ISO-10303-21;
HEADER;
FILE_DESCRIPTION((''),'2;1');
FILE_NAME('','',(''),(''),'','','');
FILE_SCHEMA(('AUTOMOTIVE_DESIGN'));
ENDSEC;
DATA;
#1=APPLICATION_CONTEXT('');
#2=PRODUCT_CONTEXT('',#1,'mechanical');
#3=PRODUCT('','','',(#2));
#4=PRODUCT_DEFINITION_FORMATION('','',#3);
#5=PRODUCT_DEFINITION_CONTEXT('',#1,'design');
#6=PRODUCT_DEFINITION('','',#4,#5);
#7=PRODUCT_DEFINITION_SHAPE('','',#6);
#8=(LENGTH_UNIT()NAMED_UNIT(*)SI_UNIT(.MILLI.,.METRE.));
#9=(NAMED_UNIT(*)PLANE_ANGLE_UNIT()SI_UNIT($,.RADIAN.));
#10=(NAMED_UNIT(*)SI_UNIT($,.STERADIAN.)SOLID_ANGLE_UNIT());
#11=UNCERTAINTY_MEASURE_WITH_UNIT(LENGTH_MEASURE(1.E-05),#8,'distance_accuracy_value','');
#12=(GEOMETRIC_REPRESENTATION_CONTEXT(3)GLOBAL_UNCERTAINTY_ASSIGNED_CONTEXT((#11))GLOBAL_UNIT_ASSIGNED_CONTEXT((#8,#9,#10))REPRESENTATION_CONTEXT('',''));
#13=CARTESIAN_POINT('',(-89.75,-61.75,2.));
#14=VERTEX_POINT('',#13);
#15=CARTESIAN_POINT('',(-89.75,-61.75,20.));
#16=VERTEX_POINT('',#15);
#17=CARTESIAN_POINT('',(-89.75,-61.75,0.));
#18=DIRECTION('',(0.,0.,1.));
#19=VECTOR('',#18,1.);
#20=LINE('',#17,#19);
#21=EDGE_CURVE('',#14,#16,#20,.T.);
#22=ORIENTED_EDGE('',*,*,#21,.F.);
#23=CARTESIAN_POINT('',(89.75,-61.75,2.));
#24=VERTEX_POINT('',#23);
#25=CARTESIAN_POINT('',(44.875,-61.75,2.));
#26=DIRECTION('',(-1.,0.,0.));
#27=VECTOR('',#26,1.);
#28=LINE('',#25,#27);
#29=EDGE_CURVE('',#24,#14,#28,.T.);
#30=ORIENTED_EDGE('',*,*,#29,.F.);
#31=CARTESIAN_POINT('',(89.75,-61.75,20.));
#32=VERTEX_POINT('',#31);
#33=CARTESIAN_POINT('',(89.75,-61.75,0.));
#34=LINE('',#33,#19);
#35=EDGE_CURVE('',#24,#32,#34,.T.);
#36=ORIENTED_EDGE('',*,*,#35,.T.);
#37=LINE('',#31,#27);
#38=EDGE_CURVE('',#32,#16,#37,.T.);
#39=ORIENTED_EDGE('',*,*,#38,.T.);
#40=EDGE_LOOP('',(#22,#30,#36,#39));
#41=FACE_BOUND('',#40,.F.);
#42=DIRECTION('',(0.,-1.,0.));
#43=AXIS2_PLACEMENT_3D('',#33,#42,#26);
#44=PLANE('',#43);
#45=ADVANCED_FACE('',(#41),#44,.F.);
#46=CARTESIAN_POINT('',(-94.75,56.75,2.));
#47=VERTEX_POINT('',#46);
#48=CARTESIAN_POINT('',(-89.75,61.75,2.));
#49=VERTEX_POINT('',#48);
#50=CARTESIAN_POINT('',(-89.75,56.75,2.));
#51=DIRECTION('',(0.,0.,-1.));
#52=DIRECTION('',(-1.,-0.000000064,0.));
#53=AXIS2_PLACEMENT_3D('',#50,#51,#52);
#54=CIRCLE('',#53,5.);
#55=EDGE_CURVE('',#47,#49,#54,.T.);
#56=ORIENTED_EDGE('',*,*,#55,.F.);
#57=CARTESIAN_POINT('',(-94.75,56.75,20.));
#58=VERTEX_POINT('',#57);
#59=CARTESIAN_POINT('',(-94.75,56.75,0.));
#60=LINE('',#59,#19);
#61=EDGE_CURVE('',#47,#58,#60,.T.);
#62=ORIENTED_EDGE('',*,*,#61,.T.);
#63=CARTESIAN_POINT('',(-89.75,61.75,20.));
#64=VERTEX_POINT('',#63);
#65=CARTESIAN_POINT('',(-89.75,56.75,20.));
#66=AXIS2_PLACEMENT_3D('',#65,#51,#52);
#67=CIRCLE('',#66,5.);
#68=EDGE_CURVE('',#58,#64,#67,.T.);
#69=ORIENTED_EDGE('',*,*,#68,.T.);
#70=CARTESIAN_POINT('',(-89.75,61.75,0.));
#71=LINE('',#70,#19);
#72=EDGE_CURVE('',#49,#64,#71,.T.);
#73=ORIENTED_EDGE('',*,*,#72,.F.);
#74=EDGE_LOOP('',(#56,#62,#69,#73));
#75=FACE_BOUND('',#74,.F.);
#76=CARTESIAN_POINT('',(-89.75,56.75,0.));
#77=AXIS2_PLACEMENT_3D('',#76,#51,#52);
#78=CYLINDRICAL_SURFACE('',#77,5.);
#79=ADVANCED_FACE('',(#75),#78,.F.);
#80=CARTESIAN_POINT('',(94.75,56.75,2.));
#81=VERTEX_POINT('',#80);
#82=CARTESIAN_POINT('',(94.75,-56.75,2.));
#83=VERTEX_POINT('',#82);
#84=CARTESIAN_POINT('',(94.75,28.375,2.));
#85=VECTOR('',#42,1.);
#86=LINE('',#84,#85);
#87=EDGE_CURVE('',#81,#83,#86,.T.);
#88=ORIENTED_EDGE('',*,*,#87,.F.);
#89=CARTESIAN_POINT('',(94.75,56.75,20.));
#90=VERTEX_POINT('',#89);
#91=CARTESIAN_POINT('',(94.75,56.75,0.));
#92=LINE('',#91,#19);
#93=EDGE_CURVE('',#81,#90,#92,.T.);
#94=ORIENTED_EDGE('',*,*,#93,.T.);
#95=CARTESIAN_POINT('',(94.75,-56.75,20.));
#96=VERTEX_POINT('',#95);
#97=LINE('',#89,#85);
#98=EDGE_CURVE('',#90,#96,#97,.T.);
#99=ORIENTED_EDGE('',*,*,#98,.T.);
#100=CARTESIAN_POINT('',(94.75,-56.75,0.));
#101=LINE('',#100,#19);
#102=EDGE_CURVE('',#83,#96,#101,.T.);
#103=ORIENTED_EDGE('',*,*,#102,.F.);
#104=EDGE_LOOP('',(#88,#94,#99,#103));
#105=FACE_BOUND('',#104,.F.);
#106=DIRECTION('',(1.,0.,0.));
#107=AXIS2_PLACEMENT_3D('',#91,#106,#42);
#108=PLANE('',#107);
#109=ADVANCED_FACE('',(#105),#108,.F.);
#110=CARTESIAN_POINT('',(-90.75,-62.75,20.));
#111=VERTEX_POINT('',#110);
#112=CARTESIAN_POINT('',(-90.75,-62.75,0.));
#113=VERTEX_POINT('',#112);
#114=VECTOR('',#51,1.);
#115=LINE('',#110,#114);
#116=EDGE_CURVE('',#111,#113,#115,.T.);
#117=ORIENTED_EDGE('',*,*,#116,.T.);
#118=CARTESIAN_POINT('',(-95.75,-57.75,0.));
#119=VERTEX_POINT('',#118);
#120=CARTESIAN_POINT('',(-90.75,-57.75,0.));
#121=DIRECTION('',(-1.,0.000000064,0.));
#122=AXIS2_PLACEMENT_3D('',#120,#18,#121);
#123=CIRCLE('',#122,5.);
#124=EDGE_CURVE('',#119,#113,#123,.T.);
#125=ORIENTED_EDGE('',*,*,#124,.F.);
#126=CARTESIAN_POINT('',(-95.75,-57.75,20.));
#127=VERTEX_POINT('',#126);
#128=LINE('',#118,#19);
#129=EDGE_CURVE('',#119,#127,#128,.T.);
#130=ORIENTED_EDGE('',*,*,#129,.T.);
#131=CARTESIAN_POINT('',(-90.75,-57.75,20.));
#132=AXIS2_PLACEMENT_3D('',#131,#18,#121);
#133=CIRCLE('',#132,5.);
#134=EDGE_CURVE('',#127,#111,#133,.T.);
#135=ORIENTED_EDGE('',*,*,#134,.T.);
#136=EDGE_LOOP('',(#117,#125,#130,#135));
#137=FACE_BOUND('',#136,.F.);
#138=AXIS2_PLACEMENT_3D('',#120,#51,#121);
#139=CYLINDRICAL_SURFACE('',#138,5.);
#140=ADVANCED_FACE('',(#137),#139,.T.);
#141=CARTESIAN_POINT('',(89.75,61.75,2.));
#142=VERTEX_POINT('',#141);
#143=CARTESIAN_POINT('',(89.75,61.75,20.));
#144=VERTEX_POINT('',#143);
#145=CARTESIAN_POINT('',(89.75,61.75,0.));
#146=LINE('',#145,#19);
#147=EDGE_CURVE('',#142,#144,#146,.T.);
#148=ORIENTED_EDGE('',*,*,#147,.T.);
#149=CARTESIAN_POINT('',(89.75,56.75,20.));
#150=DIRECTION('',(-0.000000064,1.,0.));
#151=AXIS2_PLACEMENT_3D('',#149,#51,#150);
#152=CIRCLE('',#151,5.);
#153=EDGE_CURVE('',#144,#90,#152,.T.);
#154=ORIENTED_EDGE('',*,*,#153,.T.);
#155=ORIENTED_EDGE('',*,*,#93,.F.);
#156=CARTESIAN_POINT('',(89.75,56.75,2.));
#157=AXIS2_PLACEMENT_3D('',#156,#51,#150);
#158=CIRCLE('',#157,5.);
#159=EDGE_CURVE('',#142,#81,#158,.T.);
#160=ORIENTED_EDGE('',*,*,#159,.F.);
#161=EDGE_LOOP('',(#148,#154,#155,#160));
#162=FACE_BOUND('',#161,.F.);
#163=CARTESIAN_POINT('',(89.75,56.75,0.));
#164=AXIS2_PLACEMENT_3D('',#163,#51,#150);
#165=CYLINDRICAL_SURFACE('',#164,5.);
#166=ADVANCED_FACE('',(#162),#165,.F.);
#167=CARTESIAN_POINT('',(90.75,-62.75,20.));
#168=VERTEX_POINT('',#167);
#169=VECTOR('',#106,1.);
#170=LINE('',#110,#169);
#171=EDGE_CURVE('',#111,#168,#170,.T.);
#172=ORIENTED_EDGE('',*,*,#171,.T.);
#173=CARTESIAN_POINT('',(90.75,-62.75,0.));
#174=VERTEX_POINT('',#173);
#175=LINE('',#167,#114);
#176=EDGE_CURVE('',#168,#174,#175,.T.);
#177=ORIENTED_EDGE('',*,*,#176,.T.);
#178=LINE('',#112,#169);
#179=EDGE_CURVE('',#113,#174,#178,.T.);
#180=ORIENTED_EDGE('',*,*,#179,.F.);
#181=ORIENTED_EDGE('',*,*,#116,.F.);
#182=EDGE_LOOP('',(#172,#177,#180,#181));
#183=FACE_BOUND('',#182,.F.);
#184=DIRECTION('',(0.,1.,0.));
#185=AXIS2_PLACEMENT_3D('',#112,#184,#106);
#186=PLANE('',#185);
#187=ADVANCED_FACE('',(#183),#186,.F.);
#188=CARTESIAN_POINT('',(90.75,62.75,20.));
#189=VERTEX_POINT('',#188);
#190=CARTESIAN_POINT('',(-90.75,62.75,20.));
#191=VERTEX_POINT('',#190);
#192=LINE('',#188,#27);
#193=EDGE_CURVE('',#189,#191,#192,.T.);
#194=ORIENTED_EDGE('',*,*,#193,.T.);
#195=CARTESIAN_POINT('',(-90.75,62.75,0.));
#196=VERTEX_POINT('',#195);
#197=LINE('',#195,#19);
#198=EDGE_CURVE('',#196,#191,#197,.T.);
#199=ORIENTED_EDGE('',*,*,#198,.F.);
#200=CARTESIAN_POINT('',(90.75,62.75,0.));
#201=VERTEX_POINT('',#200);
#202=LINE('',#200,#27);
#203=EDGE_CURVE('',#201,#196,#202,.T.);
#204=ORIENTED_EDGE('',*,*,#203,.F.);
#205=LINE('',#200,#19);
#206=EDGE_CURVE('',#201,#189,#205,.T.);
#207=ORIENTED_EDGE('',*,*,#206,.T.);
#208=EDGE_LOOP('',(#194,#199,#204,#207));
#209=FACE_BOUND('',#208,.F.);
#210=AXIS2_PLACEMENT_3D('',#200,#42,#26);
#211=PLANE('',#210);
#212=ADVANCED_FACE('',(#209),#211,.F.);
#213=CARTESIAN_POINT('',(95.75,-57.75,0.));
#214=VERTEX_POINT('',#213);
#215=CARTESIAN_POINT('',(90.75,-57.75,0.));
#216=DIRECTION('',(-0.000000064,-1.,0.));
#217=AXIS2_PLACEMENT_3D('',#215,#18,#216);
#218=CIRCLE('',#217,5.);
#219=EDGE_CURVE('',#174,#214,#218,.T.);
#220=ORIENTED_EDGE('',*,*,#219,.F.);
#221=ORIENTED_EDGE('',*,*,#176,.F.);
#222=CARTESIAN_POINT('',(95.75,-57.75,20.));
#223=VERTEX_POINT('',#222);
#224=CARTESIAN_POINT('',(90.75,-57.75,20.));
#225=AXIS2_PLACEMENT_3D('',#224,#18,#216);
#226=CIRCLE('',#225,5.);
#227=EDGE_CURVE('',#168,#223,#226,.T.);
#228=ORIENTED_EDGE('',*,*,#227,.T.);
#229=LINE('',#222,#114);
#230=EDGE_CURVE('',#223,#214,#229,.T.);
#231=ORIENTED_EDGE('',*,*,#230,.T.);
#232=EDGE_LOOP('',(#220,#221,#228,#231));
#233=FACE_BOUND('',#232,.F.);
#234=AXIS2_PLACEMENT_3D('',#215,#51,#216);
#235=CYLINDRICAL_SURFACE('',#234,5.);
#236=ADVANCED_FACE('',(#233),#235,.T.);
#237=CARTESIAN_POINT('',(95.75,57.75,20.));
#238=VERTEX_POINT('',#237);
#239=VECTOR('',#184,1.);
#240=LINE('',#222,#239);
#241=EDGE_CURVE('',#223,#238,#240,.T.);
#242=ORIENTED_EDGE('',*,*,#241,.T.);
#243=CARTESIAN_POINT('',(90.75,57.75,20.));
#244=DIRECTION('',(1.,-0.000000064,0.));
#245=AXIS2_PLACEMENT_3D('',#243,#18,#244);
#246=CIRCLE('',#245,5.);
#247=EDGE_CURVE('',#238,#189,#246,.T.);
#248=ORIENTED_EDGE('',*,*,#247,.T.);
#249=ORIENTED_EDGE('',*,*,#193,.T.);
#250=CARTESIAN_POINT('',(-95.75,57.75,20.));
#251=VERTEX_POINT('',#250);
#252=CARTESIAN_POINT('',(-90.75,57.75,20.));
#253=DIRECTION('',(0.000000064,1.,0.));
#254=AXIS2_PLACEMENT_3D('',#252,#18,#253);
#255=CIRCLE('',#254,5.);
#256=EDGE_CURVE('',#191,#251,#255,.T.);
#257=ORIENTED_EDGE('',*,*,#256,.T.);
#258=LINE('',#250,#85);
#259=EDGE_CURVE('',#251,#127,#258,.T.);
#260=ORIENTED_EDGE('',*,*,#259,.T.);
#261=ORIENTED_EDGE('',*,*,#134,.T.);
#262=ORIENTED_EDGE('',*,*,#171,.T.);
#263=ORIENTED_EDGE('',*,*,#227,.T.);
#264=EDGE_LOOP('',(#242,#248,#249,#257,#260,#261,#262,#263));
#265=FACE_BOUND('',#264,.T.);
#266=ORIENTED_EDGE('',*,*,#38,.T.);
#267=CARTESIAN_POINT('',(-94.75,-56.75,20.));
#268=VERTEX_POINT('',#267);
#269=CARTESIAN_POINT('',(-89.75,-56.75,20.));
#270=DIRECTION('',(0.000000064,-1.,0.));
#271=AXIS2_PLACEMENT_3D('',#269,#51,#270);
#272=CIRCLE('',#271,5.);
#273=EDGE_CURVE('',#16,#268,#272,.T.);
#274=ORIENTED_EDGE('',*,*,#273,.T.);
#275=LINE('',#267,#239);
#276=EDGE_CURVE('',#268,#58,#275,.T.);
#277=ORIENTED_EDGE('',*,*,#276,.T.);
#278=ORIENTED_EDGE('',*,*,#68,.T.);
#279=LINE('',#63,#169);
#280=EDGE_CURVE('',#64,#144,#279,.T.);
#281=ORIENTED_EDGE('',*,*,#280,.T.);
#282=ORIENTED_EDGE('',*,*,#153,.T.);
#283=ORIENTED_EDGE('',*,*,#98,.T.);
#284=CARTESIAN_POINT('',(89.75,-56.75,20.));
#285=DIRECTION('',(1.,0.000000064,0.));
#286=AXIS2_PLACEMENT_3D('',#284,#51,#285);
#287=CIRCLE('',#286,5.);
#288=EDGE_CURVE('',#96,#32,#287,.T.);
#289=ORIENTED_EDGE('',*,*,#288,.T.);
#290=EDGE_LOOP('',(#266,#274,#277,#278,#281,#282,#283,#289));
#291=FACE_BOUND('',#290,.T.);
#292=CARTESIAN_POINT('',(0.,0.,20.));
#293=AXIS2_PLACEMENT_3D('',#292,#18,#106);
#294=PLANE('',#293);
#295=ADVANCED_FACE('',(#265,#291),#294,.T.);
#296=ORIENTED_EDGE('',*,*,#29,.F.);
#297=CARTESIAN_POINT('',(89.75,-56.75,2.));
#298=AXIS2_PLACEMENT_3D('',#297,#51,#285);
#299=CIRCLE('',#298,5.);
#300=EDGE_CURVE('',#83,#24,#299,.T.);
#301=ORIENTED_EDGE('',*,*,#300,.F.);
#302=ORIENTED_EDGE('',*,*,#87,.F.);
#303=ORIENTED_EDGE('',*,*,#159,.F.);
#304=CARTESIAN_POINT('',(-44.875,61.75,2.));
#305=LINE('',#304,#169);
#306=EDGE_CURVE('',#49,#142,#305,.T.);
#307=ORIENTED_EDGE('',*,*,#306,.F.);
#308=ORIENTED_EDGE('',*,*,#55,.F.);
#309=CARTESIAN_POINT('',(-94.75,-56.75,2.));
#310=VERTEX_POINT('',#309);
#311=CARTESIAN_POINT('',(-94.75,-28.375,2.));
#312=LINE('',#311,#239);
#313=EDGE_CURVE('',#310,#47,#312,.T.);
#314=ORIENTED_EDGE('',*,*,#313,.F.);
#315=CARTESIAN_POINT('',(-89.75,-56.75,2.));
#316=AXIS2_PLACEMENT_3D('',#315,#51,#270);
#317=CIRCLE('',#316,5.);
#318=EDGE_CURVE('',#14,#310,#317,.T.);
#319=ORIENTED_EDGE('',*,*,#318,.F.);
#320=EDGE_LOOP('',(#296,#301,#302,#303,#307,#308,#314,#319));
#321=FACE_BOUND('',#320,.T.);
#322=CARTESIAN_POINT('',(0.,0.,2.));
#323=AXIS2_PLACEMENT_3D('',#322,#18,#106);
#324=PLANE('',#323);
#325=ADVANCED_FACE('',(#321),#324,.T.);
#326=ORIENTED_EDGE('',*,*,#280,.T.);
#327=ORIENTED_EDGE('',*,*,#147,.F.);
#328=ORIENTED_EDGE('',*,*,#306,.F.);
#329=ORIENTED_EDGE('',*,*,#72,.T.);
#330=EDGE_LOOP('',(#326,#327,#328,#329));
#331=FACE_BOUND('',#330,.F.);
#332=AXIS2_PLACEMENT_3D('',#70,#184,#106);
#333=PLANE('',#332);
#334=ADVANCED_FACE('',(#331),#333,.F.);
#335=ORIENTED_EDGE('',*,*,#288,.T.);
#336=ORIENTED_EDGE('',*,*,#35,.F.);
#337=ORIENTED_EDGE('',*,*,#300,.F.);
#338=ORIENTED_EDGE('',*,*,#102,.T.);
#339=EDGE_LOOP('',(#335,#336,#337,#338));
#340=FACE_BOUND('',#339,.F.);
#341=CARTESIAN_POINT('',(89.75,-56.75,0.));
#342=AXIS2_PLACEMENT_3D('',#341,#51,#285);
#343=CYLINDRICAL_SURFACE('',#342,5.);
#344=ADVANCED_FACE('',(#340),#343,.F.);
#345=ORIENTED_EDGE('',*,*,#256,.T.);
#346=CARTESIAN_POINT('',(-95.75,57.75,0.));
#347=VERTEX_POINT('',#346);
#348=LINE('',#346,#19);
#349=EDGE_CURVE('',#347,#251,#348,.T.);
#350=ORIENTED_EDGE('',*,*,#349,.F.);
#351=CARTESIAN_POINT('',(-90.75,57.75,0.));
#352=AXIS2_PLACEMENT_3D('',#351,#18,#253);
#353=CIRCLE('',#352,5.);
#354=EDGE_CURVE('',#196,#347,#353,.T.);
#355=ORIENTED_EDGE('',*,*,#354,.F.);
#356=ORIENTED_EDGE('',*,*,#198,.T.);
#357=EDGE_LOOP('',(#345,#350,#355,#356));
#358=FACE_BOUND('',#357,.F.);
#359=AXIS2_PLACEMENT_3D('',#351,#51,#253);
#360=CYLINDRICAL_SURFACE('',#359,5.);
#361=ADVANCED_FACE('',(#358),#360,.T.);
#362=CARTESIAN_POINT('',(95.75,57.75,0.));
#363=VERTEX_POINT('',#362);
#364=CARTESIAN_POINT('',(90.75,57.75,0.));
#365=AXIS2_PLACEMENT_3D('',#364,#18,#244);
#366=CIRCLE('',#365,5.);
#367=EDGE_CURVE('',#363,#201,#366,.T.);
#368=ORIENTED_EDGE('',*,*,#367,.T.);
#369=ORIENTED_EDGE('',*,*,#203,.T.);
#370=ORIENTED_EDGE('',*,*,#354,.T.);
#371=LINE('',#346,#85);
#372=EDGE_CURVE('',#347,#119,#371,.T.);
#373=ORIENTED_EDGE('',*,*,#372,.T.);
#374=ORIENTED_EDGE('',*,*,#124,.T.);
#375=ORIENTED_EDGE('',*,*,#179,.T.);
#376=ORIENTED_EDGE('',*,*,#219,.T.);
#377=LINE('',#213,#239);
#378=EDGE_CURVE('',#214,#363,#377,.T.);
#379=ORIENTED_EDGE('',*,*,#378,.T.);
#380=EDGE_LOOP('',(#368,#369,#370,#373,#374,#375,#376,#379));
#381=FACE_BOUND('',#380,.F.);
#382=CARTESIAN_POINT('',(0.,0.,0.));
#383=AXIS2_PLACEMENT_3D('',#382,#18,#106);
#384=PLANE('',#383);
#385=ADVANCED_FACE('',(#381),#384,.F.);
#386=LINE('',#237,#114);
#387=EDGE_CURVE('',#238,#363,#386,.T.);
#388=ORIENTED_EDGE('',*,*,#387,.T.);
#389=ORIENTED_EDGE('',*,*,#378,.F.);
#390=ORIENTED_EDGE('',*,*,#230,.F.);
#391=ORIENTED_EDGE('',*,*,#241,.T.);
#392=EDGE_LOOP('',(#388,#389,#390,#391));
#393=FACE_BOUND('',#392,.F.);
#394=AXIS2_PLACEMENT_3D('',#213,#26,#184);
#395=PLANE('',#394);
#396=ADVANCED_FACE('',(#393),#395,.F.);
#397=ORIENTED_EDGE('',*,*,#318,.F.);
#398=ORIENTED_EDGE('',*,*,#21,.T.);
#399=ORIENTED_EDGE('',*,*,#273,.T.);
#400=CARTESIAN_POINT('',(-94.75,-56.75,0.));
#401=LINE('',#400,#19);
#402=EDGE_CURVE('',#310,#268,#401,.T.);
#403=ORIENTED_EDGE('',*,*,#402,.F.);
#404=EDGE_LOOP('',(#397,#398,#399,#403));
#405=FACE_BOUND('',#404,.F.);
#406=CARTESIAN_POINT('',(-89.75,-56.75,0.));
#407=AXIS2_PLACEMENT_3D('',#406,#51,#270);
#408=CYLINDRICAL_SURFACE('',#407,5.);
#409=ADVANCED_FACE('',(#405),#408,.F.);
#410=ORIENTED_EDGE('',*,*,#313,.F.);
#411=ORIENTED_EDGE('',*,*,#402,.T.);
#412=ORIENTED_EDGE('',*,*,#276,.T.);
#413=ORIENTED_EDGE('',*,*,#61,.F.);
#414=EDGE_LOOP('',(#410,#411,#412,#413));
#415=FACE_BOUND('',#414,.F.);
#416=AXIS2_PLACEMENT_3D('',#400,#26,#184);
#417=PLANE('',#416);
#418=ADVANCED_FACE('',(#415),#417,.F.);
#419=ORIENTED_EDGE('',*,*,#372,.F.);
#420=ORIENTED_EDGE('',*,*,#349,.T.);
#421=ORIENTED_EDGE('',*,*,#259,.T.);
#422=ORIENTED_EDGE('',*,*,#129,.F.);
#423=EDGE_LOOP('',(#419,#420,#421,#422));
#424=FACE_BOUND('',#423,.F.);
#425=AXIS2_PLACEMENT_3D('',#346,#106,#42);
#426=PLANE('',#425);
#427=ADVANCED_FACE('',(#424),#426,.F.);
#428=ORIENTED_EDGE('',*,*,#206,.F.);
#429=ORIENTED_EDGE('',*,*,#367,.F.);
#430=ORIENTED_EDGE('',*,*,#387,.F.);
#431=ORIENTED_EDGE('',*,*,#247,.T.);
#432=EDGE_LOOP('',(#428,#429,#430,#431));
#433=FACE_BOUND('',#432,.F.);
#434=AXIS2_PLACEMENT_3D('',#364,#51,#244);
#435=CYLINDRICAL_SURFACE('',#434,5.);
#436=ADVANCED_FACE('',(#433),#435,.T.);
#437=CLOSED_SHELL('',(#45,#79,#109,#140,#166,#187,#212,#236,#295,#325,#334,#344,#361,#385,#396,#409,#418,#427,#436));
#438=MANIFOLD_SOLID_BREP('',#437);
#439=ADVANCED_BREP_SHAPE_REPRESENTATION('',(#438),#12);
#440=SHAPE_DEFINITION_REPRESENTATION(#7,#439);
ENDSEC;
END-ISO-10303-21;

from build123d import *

# Parameters (mm, degrees)
F1_DEPTH = 20
F3_DEPTH = 2


with BuildPart() as f1:
    # F0 (on Top) → F1 (new body)
    with BuildSketch(Plane.XY):
        with BuildLine():
            ThreePointArc((95.75, 57.75), (94.285534, 61.285534), (90.75, 62.75))
            Line((90.75, 62.75), (-90.75, 62.75))
            ThreePointArc((-90.75, 62.75), (-94.285534, 61.285534), (-95.75, 57.75))
            Line((-95.75, 57.75), (-95.75, -57.75))
            ThreePointArc((-95.75, -57.75), (-94.285534, -61.285534), (-90.75, -62.75))
            Line((-90.75, -62.75), (90.75, -62.75))
            ThreePointArc((90.75, -62.75), (94.285534, -61.285534), (95.75, -57.75))
            Line((95.75, -57.75), (95.75, 57.75))
        make_face()
        with BuildLine():
            Line((-89.75, 61.75), (89.75, 61.75))
            ThreePointArc((89.75, 61.75), (93.285534, 60.285534), (94.75, 56.75))
            Line((94.75, 56.75), (94.75, -56.75))
            ThreePointArc((94.75, -56.75), (93.285534, -60.285534), (89.75, -61.75))
            Line((89.75, -61.75), (-89.75, -61.75))
            ThreePointArc((-89.75, -61.75), (-93.285534, -60.285534), (-94.75, -56.75))
            Line((-94.75, -56.75), (-94.75, 56.75))
            ThreePointArc((-94.75, 56.75), (-93.285534, 60.285534), (-89.75, 61.75))
        make_face(mode=Mode.SUBTRACT)
    extrude(amount=F1_DEPTH)

    # F2 (on Top) → F3 (join)
    with BuildSketch(Plane.XY):
        with BuildLine():
            ThreePointArc((95.75, 57.75), (94.285534, 61.285534), (90.75, 62.75))
            Line((90.75, 62.75), (-90.75, 62.75))
            ThreePointArc((-90.75, 62.75), (-94.285534, 61.285534), (-95.75, 57.75))
            Line((-95.75, 57.75), (-95.75, -57.75))
            ThreePointArc((-95.75, -57.75), (-94.285534, -61.285534), (-90.75, -62.75))
            Line((-90.75, -62.75), (90.75, -62.75))
            ThreePointArc((90.75, -62.75), (94.285534, -61.285534), (95.75, -57.75))
            Line((95.75, -57.75), (95.75, 57.75))
        make_face()
    extrude(amount=F3_DEPTH)


solid = f1.part
